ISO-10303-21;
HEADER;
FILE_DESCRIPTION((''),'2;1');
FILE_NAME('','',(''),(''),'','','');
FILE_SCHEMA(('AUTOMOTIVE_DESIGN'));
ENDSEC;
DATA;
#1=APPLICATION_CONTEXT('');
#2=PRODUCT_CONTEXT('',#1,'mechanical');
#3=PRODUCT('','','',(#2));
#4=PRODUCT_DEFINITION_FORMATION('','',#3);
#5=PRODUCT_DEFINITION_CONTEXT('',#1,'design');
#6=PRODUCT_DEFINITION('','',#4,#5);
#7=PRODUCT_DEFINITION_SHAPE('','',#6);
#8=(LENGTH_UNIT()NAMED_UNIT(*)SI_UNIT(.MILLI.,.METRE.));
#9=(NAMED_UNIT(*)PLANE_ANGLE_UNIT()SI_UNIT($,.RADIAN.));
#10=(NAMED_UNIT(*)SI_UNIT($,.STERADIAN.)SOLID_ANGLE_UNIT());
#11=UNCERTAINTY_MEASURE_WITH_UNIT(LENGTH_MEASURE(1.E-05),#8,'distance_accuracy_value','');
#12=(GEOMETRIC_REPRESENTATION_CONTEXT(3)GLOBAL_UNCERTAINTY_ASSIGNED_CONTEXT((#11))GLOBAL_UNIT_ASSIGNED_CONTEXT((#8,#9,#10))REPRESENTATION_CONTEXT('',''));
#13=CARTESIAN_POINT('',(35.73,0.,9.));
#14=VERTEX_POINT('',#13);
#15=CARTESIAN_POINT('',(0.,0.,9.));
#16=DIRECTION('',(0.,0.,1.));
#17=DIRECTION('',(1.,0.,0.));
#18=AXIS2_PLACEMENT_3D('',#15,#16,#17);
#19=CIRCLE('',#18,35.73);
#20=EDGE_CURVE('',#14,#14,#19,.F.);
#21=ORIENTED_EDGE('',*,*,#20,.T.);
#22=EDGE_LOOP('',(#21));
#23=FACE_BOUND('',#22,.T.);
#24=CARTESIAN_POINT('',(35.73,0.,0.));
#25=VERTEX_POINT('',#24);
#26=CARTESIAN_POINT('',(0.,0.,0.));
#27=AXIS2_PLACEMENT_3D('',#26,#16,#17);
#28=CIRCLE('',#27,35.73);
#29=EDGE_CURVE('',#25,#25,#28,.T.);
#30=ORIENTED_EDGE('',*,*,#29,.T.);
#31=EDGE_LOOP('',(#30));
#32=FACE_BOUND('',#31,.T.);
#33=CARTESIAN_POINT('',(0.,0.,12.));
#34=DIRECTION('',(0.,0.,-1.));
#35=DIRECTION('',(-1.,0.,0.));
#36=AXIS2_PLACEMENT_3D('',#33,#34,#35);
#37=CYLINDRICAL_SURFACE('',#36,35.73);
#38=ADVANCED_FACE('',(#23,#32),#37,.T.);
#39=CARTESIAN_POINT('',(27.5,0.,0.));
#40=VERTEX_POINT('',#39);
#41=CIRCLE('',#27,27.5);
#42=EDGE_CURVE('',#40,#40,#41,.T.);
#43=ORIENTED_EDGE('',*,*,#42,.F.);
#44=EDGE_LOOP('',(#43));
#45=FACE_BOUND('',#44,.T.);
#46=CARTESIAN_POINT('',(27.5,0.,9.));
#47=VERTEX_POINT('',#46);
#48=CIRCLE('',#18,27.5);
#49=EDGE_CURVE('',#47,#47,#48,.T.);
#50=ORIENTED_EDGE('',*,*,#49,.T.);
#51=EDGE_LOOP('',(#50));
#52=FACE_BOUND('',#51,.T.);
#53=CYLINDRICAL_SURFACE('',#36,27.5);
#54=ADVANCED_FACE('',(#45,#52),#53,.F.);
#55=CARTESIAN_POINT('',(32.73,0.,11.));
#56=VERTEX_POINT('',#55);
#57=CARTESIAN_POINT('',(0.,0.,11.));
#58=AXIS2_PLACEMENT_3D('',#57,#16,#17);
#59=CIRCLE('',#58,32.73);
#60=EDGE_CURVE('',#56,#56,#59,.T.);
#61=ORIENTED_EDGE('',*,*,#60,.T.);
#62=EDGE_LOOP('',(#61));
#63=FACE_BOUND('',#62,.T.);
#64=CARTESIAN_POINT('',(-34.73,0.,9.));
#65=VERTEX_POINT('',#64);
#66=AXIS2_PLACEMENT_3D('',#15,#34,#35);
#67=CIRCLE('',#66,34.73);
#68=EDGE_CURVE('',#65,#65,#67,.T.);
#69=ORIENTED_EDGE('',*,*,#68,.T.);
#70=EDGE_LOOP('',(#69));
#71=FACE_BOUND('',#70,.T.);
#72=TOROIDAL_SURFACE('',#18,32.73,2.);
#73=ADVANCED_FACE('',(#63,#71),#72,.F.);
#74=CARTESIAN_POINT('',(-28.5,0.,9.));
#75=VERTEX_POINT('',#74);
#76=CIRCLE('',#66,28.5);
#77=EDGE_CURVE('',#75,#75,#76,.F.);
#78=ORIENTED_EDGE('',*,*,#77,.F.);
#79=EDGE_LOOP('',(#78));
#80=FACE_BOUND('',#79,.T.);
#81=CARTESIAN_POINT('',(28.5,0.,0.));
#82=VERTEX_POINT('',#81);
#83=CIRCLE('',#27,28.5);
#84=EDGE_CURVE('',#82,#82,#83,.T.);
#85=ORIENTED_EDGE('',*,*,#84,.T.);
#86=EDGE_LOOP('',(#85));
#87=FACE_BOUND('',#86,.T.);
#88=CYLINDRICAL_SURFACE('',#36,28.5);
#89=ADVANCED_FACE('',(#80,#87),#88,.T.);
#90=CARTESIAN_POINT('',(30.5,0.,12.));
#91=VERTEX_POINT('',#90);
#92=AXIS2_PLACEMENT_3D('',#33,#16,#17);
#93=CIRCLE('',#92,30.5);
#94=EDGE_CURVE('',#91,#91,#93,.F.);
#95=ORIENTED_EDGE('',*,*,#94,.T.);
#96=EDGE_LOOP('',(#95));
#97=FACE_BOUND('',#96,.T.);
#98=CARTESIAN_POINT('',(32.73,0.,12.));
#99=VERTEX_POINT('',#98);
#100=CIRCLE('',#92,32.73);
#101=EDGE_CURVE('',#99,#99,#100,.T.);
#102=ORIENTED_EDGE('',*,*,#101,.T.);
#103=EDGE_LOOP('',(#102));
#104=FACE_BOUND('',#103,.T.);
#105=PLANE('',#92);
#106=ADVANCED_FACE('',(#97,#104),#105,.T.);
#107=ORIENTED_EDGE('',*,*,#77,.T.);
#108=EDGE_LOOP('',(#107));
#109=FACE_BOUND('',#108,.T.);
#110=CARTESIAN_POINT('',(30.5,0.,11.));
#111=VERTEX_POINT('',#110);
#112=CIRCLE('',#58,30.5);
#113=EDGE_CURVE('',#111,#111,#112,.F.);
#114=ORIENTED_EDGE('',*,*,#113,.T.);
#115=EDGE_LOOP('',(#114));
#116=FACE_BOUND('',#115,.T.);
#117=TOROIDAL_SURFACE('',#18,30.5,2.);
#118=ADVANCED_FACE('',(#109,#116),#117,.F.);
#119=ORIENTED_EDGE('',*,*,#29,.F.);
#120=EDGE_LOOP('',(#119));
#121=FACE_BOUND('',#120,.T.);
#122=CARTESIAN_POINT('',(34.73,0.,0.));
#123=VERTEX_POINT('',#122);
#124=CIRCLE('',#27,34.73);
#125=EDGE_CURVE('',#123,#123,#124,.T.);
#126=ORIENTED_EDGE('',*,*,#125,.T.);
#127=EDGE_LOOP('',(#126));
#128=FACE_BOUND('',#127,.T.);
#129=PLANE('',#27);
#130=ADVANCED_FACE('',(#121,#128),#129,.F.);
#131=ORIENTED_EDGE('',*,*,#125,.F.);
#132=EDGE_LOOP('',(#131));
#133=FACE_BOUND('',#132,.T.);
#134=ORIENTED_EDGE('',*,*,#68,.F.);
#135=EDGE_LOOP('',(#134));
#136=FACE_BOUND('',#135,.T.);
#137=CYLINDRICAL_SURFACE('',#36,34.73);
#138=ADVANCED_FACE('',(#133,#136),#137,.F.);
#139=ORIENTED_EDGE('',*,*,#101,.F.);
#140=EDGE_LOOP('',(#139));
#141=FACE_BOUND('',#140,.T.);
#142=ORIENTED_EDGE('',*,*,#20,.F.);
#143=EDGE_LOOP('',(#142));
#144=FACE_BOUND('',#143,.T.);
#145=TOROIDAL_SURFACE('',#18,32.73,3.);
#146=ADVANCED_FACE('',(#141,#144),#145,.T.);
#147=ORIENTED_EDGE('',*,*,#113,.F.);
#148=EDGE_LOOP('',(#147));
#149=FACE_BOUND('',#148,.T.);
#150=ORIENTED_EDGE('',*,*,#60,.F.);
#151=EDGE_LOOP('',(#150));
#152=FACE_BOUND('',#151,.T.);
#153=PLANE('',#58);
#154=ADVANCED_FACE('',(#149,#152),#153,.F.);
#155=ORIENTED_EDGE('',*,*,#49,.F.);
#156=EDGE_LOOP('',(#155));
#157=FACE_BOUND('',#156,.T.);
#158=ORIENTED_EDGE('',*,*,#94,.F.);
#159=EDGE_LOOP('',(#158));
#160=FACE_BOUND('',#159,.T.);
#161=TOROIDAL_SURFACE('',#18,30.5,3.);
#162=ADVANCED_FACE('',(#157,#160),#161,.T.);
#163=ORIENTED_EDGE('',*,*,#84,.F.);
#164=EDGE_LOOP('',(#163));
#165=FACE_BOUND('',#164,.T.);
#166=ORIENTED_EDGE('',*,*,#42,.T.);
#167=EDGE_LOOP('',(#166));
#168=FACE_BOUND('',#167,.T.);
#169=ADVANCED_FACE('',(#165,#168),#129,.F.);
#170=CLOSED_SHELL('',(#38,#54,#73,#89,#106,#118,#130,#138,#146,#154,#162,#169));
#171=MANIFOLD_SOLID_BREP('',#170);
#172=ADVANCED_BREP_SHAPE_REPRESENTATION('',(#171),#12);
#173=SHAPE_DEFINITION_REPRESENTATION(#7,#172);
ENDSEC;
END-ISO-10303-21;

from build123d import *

# Parameters (mm, degrees)
SKETCH1_R           = 35.73
SKETCH1_R_2         = 27.5
BOSS_EXTRUDE1_DEPTH = 12
FILLET1_R           = 3
SHELL1_T            = -1


with BuildPart() as part:
    # Sketch1 → Boss-Extrude1 (new body)
    with BuildSketch(Plane.XY):
        Circle(SKETCH1_R)
        Circle(SKETCH1_R_2, mode=Mode.SUBTRACT)
    extrude(amount=BOSS_EXTRUDE1_DEPTH)

    # Fillet1
    fillet1_edges = [part.edges().sort_by_distance(p)[0] for p in [
        (-35.73, 0, 12),
        (-27.5, 0, 12),
    ]]
    fillet(fillet1_edges, radius=FILLET1_R)

    # Shell1
    shell1_openings = [part.faces().sort_by_distance(p)[0] for p in [
        (-34.719402988, 0, 0),
    ]]
    offset(amount=SHELL1_T, openings=shell1_openings, kind=Kind.INTERSECTION)


solid = part.part
